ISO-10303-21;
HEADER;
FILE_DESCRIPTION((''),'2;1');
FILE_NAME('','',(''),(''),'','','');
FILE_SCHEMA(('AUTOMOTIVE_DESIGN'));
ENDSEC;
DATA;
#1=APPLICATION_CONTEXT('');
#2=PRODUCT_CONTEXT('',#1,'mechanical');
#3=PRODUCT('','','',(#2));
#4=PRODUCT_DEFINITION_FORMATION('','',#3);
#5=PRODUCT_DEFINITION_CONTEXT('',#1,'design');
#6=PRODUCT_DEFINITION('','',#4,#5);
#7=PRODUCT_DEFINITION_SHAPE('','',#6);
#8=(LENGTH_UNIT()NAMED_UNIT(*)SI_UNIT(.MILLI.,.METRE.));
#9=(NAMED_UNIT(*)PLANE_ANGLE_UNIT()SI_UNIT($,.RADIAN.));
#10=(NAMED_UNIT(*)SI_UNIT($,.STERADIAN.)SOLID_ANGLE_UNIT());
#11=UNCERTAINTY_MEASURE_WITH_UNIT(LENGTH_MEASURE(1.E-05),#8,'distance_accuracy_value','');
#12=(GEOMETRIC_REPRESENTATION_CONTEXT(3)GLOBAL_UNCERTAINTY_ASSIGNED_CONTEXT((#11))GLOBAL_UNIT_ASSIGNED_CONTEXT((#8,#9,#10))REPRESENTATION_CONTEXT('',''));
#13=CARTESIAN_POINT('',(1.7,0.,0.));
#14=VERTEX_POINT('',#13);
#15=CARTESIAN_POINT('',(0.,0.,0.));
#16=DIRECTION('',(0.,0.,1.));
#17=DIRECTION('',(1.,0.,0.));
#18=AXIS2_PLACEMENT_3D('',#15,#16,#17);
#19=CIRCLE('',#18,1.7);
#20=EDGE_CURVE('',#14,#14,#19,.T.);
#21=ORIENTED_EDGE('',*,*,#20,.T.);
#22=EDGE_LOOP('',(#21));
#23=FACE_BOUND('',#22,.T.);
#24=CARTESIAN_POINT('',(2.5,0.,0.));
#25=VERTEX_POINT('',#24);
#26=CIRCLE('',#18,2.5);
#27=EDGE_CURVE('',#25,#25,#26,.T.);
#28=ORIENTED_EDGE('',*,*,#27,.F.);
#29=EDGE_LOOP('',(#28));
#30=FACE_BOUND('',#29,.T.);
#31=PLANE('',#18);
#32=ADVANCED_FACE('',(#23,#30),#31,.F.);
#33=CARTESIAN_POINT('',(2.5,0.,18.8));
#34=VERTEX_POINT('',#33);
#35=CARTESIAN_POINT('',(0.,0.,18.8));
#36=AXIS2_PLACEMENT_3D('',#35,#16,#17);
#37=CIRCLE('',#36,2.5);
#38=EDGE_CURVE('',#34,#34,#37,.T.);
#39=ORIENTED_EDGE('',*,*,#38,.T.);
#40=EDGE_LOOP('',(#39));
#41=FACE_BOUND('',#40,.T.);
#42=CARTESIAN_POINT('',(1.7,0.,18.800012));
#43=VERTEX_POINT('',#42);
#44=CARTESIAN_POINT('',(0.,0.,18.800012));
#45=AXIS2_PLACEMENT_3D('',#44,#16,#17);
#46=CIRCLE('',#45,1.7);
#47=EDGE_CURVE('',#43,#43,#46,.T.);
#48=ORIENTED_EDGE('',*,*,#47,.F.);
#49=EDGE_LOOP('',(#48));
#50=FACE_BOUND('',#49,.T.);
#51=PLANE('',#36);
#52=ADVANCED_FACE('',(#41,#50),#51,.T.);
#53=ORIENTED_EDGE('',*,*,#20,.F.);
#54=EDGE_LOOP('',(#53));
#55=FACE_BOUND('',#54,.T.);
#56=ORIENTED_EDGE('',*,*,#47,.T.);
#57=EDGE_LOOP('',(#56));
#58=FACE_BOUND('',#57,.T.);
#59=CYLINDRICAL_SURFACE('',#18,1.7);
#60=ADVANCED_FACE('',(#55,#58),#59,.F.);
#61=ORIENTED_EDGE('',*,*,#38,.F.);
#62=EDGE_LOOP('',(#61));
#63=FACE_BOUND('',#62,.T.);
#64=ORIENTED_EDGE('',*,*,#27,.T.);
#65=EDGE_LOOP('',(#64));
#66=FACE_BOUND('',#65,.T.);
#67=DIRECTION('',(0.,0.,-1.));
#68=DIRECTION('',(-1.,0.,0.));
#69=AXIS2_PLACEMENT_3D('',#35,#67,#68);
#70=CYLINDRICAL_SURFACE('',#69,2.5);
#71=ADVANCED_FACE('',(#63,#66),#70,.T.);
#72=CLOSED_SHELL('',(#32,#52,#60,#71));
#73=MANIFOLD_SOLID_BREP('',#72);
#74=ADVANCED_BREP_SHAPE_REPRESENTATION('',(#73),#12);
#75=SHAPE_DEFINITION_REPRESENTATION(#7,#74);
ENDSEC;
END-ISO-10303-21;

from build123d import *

# Parameters (mm, degrees)
SKETCH1_R               = 2.5
BOSS_EXTRUDE1_DEPTH     = 18.8
CUT_EXTRUDE1_DEPTH      = 20.12955828
CUT_EXTRUDE1_DEPTH_BACK = 20.12955828
SKETCH2_R               = 1.7


with BuildPart() as part:
    # Sketch1 → Boss-Extrude1 (new body)
    with BuildSketch(Plane(origin=(0, 0, 0), x_dir=(0, 1, 0), z_dir=(0, 0, 1))):
        with Locations(Location((0, 0, 0), (0, 0, 270))):
            Circle(SKETCH1_R)
    extrude(amount=BOSS_EXTRUDE1_DEPTH)

    # Sketch2 → Cut-Extrude1 (cut, two sides: drawn at the far end of the back side and taken through both)
    with BuildSketch(Plane.XY.offset(18.8).offset(-CUT_EXTRUDE1_DEPTH_BACK)):
        Circle(SKETCH2_R)
    extrude(amount=CUT_EXTRUDE1_DEPTH + CUT_EXTRUDE1_DEPTH_BACK, mode=Mode.SUBTRACT)


solid = part.part
